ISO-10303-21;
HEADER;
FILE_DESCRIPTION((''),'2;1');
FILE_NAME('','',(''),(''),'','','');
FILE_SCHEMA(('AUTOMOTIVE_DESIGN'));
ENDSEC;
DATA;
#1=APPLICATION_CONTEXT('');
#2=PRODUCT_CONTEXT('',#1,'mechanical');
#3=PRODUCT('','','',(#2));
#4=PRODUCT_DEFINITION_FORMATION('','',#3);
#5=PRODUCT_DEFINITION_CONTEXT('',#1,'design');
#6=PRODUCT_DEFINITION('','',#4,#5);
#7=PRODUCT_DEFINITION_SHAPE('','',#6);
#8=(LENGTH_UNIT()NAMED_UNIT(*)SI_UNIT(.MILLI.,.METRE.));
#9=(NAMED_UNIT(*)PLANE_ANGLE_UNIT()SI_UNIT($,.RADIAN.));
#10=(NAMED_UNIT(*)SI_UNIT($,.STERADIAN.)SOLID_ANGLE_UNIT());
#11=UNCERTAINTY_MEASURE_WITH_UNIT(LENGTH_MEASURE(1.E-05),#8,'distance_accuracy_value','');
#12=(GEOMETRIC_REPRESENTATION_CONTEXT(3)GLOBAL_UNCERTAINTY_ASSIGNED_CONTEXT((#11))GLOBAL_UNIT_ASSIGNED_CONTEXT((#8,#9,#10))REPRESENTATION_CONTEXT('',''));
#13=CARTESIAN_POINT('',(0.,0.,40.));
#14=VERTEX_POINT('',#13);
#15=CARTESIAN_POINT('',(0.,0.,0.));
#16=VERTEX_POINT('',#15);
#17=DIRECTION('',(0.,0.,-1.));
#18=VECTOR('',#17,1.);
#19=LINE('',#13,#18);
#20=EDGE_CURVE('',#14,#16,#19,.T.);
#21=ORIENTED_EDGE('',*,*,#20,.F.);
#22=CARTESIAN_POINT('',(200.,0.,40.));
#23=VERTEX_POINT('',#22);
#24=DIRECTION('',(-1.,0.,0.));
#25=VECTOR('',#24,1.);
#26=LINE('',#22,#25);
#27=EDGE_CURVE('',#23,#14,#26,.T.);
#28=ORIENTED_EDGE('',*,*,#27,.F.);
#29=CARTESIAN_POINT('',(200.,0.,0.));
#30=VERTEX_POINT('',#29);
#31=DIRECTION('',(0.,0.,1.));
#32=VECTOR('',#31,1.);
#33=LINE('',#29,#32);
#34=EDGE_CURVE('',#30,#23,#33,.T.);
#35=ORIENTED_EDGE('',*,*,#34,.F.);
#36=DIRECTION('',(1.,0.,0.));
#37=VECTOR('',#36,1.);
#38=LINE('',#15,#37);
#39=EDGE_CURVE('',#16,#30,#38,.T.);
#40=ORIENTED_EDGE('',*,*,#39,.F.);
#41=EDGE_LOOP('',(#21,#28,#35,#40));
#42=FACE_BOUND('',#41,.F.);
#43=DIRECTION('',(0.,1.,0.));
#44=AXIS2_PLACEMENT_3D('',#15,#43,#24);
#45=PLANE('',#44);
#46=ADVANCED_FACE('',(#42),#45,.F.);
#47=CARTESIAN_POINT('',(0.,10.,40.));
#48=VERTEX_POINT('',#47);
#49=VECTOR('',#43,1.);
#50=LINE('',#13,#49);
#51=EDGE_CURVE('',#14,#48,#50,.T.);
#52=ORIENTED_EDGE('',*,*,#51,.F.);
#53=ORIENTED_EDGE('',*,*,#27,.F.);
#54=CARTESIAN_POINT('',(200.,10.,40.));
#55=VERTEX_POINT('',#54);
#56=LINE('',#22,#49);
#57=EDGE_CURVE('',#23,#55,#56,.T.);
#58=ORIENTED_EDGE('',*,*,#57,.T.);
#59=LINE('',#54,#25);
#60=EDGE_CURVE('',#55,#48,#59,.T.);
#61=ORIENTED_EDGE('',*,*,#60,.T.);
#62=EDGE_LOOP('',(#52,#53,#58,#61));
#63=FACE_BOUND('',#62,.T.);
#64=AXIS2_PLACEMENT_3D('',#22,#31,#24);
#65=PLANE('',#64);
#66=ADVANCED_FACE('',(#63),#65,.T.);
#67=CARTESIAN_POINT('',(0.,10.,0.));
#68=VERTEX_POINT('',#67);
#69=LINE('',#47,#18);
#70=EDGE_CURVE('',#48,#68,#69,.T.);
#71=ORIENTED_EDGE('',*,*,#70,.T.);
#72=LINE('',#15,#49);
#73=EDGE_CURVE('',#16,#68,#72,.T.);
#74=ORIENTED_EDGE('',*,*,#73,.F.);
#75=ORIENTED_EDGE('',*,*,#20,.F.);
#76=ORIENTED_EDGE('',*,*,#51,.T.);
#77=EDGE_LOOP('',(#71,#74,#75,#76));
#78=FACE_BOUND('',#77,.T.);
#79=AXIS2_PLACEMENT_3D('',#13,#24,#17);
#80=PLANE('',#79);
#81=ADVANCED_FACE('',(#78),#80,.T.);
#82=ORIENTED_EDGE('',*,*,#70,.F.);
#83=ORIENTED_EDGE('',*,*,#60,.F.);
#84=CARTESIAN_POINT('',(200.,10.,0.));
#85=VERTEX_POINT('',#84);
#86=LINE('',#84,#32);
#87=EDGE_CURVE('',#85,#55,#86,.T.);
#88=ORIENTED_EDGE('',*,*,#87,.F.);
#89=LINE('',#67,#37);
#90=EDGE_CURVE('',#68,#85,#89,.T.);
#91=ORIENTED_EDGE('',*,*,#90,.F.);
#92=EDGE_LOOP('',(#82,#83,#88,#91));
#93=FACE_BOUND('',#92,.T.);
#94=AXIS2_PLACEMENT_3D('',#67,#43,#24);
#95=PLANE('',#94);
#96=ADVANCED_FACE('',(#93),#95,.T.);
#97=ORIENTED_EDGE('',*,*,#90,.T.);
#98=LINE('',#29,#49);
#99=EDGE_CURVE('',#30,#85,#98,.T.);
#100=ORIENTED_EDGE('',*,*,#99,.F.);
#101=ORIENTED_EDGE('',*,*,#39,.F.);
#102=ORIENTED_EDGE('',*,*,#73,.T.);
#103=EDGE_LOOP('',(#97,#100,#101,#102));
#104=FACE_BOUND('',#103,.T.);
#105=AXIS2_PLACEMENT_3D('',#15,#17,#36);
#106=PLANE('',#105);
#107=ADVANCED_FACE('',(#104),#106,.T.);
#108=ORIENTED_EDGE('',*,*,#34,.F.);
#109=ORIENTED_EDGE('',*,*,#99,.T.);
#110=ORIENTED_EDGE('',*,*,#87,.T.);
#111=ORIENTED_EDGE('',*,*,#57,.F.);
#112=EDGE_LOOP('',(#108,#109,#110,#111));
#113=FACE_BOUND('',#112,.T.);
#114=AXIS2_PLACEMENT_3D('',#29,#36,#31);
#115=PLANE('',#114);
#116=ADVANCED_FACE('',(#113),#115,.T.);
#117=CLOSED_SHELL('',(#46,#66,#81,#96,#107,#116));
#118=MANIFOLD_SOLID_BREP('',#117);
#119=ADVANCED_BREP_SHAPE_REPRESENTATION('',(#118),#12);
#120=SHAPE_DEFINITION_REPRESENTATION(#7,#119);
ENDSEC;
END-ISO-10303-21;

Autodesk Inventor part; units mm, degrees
ref_plane "YZ Plane" through (0, 0, 0) normal (1, 0, 0) x (0, 1, 0)
ref_plane "XZ Plane" through (0, 0, 0) normal (0, 1, 0) x (-1, 0, 0)
ref_plane "XY Plane" through (0, 0, 0) normal (0, 0, 1) x (1, 0, 0)
sketch "Sketch1" plane through (0, 0, 0) normal (0, 1, 0) x (-1, 0, 0)
  line L0 (0, 0) -> (-200, 0)
  line L1 (-200, 0) -> (-200, 40)
  line L2 (-200, 40) -> (0, 40)
  line L3 (0, 40) -> (0, 0)
  dimension "d0" = 200
  dimension "d1" = 40
extrude "Extrusion1" add sketch "Sketch1" along normal blind 10
